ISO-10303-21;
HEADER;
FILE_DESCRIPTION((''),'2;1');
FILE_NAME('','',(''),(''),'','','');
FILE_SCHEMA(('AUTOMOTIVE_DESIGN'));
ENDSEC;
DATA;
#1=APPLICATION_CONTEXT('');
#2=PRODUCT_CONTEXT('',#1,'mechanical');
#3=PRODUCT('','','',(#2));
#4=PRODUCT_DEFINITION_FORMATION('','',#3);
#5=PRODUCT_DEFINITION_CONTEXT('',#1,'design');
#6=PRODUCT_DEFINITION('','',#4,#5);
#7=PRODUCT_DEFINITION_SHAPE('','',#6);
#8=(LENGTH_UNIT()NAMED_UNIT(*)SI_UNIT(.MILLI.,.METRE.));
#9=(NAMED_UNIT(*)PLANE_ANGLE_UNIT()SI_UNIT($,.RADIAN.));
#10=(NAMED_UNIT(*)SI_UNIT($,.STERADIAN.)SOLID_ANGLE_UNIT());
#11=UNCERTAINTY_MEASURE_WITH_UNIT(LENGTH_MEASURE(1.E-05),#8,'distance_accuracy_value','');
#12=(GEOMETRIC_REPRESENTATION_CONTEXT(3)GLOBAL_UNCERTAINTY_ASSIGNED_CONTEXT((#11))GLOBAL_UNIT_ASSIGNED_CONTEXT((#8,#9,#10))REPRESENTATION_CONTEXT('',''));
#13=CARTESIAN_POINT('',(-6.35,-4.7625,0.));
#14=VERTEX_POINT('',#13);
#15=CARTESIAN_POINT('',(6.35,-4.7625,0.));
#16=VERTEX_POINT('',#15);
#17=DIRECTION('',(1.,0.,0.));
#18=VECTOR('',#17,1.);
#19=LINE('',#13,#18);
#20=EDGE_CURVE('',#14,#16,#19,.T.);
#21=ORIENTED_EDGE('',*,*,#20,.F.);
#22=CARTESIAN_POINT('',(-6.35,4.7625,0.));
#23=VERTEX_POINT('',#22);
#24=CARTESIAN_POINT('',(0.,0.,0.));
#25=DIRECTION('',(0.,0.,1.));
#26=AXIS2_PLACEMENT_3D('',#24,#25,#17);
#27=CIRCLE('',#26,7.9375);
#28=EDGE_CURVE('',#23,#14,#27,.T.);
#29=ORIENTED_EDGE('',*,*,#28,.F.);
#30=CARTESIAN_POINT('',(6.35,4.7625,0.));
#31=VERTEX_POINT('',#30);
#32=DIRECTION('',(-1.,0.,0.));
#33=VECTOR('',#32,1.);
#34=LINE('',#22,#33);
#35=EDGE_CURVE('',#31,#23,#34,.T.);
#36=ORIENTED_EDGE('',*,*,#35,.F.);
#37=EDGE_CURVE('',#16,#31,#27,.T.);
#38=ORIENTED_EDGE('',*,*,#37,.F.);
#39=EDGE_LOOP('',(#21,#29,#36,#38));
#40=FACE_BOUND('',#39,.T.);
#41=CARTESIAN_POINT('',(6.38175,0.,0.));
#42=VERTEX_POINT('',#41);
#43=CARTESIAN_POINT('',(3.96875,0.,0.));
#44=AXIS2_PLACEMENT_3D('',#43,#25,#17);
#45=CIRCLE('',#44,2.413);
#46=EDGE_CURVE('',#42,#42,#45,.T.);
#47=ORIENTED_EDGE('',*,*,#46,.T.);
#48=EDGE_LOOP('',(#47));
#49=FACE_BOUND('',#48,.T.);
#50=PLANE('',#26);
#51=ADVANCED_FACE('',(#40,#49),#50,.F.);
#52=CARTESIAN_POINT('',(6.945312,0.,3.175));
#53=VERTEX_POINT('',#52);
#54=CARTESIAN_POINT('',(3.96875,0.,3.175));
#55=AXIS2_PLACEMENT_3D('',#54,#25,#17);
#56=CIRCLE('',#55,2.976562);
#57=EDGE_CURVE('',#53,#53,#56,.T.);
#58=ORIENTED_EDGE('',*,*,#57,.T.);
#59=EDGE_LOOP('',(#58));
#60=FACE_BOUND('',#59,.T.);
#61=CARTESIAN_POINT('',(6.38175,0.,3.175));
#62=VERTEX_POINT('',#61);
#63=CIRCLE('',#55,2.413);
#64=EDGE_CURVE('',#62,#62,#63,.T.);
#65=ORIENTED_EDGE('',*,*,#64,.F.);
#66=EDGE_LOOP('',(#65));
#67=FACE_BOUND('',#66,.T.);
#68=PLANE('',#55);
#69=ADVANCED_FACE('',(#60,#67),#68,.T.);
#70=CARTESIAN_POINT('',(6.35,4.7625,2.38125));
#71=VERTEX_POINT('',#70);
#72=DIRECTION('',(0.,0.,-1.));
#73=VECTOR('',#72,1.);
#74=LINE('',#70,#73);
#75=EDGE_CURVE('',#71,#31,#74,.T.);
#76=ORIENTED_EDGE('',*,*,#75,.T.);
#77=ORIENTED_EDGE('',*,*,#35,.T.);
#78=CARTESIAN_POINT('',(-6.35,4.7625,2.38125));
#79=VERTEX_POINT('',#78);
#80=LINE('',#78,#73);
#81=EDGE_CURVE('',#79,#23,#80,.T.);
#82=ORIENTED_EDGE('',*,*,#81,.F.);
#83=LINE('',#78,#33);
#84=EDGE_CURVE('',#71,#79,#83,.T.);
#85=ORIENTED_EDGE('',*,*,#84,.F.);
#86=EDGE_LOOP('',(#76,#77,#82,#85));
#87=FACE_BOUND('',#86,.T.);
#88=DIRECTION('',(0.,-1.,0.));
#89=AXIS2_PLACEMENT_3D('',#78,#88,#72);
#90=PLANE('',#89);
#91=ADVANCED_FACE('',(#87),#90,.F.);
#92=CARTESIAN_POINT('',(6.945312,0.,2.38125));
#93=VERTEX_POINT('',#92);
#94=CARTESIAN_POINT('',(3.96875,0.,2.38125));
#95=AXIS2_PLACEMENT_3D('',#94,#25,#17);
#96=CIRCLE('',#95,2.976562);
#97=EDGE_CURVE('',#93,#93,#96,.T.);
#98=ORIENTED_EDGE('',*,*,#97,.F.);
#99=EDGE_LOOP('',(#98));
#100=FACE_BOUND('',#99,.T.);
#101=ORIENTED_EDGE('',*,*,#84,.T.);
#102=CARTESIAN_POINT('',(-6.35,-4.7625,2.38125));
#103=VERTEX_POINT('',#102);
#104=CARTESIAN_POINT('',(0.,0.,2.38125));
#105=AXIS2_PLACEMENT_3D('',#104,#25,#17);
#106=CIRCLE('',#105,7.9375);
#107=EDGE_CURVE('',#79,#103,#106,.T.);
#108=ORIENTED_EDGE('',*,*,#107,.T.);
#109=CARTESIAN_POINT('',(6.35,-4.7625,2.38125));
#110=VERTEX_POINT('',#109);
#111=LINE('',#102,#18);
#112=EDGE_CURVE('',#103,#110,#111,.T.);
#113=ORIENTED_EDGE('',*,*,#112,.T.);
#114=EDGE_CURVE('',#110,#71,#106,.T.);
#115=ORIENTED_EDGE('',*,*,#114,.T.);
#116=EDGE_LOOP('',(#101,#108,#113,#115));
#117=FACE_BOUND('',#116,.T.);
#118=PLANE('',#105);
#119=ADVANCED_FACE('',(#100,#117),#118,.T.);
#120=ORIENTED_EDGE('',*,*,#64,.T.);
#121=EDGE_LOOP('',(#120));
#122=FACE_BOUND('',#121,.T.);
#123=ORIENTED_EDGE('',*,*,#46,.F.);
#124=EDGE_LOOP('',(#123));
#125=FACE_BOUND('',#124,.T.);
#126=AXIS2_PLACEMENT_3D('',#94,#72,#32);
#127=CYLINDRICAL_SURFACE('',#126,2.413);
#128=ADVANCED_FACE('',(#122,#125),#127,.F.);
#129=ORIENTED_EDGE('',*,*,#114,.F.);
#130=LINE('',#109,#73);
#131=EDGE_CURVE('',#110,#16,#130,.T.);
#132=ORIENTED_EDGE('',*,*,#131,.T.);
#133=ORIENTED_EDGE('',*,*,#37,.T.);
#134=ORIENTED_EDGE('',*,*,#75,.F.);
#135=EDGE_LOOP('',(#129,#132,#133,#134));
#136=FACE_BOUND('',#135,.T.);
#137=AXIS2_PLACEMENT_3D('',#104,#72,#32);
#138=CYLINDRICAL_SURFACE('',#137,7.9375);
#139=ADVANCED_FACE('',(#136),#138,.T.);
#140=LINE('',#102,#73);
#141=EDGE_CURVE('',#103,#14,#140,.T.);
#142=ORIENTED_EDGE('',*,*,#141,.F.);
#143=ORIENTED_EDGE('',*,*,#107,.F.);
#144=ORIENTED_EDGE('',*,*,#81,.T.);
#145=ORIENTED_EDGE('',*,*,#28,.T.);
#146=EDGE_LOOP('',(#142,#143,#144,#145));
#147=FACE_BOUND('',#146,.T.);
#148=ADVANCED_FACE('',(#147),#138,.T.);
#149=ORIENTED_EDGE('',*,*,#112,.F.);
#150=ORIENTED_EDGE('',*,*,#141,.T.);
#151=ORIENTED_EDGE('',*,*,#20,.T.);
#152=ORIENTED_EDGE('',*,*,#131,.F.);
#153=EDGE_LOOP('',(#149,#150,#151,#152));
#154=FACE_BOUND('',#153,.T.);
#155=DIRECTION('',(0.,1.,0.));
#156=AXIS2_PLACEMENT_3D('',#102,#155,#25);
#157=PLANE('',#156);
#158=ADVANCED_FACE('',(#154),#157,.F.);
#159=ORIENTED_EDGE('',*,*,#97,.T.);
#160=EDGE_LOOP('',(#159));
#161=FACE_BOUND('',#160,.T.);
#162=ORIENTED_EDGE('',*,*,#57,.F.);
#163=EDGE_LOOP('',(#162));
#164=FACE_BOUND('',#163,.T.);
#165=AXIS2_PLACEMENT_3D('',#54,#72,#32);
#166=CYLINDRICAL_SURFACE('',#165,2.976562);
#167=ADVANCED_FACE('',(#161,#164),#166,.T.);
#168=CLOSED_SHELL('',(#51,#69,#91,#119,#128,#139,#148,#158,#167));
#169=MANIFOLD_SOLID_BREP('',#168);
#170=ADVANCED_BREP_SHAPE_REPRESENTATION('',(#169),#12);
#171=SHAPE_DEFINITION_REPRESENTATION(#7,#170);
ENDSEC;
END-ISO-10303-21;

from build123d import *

# Parameters (mm, degrees)
SKETCH1_R      = 2.413
EXTRUDE1_DEPTH = 2.38125
SKETCH2_R      = 2.9765625
SKETCH2_R_2    = 2.413
EXTRUDE2_DEPTH = 0.79375


with BuildPart() as part:
    # Sketch1 → Extrude1 (new body)
    with BuildSketch(Plane.XY):
        with BuildLine():
            Line((-6.35, 4.7625), (6.35, 4.7625))
            ThreePointArc((6.35, 4.7625), (7.9375, 0), (6.35, -4.7625))
            Line((6.35, -4.7625), (-6.35, -4.7625))
            ThreePointArc((-6.35, -4.7625), (-7.9375, 0), (-6.35, 4.7625))
        make_face()
        with Locations((3.96875, 0)):
            Circle(SKETCH1_R, mode=Mode.SUBTRACT)
    extrude(amount=EXTRUDE1_DEPTH)

    # Sketch2 → Extrude2 (add)
    with BuildSketch(Plane.XY.offset(2.38125)):
        with Locations((3.96875, 0)):
            Circle(SKETCH2_R)
        with Locations((3.96875, 0)):
            Circle(SKETCH2_R_2, mode=Mode.SUBTRACT)
    extrude(amount=EXTRUDE2_DEPTH)


solid = part.part
